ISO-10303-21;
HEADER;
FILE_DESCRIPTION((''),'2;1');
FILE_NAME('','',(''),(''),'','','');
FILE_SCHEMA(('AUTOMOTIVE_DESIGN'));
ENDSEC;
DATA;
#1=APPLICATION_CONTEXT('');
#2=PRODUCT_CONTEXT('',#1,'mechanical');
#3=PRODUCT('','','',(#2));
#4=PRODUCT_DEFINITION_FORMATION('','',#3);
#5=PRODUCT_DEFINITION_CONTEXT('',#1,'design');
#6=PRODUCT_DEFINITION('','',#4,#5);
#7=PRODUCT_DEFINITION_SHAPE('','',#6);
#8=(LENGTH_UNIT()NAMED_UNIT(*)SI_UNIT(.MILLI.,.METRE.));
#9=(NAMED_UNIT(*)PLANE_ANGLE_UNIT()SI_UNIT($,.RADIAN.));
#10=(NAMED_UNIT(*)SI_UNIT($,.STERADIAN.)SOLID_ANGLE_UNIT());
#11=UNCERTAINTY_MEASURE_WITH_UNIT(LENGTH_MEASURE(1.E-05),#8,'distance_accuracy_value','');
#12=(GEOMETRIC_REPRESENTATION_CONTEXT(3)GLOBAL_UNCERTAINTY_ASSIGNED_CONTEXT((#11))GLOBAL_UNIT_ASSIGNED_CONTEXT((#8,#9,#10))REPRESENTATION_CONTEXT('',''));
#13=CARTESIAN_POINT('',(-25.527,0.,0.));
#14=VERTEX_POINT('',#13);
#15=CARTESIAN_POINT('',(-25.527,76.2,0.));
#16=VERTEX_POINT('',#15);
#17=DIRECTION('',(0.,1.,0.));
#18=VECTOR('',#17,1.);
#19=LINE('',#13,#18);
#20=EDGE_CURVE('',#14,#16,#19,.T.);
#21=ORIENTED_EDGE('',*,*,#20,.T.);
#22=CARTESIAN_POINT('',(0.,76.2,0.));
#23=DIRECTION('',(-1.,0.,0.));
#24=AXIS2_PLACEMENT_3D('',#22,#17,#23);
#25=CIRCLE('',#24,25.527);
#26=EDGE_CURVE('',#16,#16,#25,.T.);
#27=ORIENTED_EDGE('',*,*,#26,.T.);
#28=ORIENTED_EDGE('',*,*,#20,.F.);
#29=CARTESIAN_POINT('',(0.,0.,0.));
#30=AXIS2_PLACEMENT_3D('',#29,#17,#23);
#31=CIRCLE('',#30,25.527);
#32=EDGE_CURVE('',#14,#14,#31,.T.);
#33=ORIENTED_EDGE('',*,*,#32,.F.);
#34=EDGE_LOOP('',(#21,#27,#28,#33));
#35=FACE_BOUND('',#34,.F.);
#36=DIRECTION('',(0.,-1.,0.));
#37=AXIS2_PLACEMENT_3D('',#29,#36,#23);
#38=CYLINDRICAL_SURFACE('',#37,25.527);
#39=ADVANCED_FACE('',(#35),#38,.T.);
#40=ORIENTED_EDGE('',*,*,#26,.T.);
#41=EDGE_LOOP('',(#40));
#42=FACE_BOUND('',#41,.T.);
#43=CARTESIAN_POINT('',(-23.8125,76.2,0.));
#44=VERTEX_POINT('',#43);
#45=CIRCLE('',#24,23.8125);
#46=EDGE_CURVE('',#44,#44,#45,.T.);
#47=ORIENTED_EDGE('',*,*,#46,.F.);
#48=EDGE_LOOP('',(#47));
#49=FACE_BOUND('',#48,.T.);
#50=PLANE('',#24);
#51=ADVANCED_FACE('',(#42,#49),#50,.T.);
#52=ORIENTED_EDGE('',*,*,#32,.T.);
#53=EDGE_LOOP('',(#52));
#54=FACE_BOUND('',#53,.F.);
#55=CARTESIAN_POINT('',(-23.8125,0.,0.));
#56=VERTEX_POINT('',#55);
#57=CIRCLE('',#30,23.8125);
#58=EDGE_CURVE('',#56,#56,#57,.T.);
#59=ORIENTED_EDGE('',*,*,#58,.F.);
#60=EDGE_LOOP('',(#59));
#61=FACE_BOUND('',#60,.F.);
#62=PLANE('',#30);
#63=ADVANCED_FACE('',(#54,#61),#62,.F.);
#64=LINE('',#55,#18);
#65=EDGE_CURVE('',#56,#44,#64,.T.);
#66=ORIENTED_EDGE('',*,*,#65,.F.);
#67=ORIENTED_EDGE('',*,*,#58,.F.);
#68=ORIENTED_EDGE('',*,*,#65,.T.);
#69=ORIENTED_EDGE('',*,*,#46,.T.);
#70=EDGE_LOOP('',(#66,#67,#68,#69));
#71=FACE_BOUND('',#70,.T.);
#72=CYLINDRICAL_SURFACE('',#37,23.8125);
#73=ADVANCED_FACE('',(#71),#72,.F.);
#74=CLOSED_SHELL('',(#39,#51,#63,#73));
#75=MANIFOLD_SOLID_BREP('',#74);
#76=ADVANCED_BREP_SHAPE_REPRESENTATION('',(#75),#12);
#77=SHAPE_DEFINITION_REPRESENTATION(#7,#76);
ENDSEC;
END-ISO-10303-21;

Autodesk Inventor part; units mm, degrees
ref_plane "YZ Plane" through (0, 0, 0) normal (1, 0, 0) x (0, 1, 0)
ref_plane "XZ Plane" through (0, 0, 0) normal (0, 1, 0) x (-1, 0, 0)
ref_plane "XY Plane" through (0, 0, 0) normal (0, 0, 1) x (1, 0, 0)
sketch "Sketch1" plane through (0, 0, 0) normal (0, 1, 0) x (-1, 0, 0)
  circle A0 centre (0, 0) radius 23.8125
  circle A1 centre (0, 0) radius 25.527
  dimension "d0" = 47.625
  dimension "d1" = 51.054
extrude "Extrusion1" add sketch "Sketch1" along normal blind 76.2
properties part number "pipe"
